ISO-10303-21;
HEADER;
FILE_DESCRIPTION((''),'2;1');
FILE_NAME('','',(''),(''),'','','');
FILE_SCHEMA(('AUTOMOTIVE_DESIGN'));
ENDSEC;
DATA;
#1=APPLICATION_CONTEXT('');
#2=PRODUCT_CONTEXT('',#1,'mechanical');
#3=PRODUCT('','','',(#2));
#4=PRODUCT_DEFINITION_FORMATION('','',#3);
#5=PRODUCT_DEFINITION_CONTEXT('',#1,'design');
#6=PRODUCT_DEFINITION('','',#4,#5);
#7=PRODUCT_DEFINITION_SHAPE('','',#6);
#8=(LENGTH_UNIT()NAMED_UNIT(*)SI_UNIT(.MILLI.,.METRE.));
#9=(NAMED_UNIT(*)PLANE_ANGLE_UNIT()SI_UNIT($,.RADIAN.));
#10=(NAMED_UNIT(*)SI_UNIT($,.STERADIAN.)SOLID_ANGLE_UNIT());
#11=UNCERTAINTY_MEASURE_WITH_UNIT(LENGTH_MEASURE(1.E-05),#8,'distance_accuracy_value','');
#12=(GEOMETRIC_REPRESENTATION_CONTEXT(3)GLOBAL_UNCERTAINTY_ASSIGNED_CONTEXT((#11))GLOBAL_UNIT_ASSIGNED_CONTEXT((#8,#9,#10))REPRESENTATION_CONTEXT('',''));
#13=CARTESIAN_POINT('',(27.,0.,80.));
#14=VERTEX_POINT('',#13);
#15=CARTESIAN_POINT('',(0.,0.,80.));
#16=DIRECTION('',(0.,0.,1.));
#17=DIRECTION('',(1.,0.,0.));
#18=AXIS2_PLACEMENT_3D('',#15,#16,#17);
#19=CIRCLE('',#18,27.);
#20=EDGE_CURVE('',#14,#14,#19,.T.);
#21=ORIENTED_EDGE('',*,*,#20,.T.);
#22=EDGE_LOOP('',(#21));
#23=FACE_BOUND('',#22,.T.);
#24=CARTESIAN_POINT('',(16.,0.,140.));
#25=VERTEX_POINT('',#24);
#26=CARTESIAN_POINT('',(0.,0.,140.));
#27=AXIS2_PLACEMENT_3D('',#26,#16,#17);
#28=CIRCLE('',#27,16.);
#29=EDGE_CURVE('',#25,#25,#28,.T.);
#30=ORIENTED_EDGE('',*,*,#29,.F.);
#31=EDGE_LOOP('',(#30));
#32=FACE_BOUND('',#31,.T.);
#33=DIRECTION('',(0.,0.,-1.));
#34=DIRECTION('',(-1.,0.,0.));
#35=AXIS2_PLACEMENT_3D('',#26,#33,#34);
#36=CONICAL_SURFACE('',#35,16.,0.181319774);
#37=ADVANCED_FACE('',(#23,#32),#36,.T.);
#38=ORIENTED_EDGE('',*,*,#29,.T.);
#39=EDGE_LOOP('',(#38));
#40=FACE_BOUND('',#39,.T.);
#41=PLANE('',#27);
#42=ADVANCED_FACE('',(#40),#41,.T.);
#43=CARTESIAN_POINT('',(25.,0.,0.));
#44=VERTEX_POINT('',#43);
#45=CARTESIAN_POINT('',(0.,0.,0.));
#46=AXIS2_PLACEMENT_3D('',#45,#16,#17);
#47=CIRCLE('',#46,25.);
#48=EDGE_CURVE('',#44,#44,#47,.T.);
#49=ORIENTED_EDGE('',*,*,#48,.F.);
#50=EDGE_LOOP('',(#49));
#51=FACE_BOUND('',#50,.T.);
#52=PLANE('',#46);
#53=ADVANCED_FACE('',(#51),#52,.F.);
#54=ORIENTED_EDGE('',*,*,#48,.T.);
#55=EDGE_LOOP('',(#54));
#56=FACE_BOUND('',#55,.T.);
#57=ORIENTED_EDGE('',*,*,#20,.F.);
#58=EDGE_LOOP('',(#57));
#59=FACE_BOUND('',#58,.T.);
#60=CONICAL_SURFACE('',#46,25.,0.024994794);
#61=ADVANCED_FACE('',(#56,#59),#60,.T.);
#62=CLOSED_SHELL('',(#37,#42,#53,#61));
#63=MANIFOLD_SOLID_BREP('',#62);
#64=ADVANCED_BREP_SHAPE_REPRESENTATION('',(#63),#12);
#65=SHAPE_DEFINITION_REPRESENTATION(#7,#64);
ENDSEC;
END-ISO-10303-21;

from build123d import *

# Parameters (mm, degrees)
SKETCH1_R = 25
SKETCH2_R = 27
SKETCH3_R = 16


with BuildPart() as part:
    # Sketch1 → Loft1 section 0
    with BuildSketch(Plane.XY):
        Circle(SKETCH1_R)
    # Sketch2 → Loft1 section 1
    with BuildSketch(Plane.XY.offset(80)):
        Circle(SKETCH2_R)
    loft()

    # Sketch3 → section 1 of loft2
    with BuildSketch(Plane.XY.offset(140), mode=Mode.PRIVATE) as loft2_s1:
        Circle(SKETCH3_R)
    # loft up to a face of the part (loft2)
    loft([Face(Wire([part.edges().sort_by_distance((-18.48277186, 19.68215294, 80))[0]])), loft2_s1.sketch])


solid = part.part
